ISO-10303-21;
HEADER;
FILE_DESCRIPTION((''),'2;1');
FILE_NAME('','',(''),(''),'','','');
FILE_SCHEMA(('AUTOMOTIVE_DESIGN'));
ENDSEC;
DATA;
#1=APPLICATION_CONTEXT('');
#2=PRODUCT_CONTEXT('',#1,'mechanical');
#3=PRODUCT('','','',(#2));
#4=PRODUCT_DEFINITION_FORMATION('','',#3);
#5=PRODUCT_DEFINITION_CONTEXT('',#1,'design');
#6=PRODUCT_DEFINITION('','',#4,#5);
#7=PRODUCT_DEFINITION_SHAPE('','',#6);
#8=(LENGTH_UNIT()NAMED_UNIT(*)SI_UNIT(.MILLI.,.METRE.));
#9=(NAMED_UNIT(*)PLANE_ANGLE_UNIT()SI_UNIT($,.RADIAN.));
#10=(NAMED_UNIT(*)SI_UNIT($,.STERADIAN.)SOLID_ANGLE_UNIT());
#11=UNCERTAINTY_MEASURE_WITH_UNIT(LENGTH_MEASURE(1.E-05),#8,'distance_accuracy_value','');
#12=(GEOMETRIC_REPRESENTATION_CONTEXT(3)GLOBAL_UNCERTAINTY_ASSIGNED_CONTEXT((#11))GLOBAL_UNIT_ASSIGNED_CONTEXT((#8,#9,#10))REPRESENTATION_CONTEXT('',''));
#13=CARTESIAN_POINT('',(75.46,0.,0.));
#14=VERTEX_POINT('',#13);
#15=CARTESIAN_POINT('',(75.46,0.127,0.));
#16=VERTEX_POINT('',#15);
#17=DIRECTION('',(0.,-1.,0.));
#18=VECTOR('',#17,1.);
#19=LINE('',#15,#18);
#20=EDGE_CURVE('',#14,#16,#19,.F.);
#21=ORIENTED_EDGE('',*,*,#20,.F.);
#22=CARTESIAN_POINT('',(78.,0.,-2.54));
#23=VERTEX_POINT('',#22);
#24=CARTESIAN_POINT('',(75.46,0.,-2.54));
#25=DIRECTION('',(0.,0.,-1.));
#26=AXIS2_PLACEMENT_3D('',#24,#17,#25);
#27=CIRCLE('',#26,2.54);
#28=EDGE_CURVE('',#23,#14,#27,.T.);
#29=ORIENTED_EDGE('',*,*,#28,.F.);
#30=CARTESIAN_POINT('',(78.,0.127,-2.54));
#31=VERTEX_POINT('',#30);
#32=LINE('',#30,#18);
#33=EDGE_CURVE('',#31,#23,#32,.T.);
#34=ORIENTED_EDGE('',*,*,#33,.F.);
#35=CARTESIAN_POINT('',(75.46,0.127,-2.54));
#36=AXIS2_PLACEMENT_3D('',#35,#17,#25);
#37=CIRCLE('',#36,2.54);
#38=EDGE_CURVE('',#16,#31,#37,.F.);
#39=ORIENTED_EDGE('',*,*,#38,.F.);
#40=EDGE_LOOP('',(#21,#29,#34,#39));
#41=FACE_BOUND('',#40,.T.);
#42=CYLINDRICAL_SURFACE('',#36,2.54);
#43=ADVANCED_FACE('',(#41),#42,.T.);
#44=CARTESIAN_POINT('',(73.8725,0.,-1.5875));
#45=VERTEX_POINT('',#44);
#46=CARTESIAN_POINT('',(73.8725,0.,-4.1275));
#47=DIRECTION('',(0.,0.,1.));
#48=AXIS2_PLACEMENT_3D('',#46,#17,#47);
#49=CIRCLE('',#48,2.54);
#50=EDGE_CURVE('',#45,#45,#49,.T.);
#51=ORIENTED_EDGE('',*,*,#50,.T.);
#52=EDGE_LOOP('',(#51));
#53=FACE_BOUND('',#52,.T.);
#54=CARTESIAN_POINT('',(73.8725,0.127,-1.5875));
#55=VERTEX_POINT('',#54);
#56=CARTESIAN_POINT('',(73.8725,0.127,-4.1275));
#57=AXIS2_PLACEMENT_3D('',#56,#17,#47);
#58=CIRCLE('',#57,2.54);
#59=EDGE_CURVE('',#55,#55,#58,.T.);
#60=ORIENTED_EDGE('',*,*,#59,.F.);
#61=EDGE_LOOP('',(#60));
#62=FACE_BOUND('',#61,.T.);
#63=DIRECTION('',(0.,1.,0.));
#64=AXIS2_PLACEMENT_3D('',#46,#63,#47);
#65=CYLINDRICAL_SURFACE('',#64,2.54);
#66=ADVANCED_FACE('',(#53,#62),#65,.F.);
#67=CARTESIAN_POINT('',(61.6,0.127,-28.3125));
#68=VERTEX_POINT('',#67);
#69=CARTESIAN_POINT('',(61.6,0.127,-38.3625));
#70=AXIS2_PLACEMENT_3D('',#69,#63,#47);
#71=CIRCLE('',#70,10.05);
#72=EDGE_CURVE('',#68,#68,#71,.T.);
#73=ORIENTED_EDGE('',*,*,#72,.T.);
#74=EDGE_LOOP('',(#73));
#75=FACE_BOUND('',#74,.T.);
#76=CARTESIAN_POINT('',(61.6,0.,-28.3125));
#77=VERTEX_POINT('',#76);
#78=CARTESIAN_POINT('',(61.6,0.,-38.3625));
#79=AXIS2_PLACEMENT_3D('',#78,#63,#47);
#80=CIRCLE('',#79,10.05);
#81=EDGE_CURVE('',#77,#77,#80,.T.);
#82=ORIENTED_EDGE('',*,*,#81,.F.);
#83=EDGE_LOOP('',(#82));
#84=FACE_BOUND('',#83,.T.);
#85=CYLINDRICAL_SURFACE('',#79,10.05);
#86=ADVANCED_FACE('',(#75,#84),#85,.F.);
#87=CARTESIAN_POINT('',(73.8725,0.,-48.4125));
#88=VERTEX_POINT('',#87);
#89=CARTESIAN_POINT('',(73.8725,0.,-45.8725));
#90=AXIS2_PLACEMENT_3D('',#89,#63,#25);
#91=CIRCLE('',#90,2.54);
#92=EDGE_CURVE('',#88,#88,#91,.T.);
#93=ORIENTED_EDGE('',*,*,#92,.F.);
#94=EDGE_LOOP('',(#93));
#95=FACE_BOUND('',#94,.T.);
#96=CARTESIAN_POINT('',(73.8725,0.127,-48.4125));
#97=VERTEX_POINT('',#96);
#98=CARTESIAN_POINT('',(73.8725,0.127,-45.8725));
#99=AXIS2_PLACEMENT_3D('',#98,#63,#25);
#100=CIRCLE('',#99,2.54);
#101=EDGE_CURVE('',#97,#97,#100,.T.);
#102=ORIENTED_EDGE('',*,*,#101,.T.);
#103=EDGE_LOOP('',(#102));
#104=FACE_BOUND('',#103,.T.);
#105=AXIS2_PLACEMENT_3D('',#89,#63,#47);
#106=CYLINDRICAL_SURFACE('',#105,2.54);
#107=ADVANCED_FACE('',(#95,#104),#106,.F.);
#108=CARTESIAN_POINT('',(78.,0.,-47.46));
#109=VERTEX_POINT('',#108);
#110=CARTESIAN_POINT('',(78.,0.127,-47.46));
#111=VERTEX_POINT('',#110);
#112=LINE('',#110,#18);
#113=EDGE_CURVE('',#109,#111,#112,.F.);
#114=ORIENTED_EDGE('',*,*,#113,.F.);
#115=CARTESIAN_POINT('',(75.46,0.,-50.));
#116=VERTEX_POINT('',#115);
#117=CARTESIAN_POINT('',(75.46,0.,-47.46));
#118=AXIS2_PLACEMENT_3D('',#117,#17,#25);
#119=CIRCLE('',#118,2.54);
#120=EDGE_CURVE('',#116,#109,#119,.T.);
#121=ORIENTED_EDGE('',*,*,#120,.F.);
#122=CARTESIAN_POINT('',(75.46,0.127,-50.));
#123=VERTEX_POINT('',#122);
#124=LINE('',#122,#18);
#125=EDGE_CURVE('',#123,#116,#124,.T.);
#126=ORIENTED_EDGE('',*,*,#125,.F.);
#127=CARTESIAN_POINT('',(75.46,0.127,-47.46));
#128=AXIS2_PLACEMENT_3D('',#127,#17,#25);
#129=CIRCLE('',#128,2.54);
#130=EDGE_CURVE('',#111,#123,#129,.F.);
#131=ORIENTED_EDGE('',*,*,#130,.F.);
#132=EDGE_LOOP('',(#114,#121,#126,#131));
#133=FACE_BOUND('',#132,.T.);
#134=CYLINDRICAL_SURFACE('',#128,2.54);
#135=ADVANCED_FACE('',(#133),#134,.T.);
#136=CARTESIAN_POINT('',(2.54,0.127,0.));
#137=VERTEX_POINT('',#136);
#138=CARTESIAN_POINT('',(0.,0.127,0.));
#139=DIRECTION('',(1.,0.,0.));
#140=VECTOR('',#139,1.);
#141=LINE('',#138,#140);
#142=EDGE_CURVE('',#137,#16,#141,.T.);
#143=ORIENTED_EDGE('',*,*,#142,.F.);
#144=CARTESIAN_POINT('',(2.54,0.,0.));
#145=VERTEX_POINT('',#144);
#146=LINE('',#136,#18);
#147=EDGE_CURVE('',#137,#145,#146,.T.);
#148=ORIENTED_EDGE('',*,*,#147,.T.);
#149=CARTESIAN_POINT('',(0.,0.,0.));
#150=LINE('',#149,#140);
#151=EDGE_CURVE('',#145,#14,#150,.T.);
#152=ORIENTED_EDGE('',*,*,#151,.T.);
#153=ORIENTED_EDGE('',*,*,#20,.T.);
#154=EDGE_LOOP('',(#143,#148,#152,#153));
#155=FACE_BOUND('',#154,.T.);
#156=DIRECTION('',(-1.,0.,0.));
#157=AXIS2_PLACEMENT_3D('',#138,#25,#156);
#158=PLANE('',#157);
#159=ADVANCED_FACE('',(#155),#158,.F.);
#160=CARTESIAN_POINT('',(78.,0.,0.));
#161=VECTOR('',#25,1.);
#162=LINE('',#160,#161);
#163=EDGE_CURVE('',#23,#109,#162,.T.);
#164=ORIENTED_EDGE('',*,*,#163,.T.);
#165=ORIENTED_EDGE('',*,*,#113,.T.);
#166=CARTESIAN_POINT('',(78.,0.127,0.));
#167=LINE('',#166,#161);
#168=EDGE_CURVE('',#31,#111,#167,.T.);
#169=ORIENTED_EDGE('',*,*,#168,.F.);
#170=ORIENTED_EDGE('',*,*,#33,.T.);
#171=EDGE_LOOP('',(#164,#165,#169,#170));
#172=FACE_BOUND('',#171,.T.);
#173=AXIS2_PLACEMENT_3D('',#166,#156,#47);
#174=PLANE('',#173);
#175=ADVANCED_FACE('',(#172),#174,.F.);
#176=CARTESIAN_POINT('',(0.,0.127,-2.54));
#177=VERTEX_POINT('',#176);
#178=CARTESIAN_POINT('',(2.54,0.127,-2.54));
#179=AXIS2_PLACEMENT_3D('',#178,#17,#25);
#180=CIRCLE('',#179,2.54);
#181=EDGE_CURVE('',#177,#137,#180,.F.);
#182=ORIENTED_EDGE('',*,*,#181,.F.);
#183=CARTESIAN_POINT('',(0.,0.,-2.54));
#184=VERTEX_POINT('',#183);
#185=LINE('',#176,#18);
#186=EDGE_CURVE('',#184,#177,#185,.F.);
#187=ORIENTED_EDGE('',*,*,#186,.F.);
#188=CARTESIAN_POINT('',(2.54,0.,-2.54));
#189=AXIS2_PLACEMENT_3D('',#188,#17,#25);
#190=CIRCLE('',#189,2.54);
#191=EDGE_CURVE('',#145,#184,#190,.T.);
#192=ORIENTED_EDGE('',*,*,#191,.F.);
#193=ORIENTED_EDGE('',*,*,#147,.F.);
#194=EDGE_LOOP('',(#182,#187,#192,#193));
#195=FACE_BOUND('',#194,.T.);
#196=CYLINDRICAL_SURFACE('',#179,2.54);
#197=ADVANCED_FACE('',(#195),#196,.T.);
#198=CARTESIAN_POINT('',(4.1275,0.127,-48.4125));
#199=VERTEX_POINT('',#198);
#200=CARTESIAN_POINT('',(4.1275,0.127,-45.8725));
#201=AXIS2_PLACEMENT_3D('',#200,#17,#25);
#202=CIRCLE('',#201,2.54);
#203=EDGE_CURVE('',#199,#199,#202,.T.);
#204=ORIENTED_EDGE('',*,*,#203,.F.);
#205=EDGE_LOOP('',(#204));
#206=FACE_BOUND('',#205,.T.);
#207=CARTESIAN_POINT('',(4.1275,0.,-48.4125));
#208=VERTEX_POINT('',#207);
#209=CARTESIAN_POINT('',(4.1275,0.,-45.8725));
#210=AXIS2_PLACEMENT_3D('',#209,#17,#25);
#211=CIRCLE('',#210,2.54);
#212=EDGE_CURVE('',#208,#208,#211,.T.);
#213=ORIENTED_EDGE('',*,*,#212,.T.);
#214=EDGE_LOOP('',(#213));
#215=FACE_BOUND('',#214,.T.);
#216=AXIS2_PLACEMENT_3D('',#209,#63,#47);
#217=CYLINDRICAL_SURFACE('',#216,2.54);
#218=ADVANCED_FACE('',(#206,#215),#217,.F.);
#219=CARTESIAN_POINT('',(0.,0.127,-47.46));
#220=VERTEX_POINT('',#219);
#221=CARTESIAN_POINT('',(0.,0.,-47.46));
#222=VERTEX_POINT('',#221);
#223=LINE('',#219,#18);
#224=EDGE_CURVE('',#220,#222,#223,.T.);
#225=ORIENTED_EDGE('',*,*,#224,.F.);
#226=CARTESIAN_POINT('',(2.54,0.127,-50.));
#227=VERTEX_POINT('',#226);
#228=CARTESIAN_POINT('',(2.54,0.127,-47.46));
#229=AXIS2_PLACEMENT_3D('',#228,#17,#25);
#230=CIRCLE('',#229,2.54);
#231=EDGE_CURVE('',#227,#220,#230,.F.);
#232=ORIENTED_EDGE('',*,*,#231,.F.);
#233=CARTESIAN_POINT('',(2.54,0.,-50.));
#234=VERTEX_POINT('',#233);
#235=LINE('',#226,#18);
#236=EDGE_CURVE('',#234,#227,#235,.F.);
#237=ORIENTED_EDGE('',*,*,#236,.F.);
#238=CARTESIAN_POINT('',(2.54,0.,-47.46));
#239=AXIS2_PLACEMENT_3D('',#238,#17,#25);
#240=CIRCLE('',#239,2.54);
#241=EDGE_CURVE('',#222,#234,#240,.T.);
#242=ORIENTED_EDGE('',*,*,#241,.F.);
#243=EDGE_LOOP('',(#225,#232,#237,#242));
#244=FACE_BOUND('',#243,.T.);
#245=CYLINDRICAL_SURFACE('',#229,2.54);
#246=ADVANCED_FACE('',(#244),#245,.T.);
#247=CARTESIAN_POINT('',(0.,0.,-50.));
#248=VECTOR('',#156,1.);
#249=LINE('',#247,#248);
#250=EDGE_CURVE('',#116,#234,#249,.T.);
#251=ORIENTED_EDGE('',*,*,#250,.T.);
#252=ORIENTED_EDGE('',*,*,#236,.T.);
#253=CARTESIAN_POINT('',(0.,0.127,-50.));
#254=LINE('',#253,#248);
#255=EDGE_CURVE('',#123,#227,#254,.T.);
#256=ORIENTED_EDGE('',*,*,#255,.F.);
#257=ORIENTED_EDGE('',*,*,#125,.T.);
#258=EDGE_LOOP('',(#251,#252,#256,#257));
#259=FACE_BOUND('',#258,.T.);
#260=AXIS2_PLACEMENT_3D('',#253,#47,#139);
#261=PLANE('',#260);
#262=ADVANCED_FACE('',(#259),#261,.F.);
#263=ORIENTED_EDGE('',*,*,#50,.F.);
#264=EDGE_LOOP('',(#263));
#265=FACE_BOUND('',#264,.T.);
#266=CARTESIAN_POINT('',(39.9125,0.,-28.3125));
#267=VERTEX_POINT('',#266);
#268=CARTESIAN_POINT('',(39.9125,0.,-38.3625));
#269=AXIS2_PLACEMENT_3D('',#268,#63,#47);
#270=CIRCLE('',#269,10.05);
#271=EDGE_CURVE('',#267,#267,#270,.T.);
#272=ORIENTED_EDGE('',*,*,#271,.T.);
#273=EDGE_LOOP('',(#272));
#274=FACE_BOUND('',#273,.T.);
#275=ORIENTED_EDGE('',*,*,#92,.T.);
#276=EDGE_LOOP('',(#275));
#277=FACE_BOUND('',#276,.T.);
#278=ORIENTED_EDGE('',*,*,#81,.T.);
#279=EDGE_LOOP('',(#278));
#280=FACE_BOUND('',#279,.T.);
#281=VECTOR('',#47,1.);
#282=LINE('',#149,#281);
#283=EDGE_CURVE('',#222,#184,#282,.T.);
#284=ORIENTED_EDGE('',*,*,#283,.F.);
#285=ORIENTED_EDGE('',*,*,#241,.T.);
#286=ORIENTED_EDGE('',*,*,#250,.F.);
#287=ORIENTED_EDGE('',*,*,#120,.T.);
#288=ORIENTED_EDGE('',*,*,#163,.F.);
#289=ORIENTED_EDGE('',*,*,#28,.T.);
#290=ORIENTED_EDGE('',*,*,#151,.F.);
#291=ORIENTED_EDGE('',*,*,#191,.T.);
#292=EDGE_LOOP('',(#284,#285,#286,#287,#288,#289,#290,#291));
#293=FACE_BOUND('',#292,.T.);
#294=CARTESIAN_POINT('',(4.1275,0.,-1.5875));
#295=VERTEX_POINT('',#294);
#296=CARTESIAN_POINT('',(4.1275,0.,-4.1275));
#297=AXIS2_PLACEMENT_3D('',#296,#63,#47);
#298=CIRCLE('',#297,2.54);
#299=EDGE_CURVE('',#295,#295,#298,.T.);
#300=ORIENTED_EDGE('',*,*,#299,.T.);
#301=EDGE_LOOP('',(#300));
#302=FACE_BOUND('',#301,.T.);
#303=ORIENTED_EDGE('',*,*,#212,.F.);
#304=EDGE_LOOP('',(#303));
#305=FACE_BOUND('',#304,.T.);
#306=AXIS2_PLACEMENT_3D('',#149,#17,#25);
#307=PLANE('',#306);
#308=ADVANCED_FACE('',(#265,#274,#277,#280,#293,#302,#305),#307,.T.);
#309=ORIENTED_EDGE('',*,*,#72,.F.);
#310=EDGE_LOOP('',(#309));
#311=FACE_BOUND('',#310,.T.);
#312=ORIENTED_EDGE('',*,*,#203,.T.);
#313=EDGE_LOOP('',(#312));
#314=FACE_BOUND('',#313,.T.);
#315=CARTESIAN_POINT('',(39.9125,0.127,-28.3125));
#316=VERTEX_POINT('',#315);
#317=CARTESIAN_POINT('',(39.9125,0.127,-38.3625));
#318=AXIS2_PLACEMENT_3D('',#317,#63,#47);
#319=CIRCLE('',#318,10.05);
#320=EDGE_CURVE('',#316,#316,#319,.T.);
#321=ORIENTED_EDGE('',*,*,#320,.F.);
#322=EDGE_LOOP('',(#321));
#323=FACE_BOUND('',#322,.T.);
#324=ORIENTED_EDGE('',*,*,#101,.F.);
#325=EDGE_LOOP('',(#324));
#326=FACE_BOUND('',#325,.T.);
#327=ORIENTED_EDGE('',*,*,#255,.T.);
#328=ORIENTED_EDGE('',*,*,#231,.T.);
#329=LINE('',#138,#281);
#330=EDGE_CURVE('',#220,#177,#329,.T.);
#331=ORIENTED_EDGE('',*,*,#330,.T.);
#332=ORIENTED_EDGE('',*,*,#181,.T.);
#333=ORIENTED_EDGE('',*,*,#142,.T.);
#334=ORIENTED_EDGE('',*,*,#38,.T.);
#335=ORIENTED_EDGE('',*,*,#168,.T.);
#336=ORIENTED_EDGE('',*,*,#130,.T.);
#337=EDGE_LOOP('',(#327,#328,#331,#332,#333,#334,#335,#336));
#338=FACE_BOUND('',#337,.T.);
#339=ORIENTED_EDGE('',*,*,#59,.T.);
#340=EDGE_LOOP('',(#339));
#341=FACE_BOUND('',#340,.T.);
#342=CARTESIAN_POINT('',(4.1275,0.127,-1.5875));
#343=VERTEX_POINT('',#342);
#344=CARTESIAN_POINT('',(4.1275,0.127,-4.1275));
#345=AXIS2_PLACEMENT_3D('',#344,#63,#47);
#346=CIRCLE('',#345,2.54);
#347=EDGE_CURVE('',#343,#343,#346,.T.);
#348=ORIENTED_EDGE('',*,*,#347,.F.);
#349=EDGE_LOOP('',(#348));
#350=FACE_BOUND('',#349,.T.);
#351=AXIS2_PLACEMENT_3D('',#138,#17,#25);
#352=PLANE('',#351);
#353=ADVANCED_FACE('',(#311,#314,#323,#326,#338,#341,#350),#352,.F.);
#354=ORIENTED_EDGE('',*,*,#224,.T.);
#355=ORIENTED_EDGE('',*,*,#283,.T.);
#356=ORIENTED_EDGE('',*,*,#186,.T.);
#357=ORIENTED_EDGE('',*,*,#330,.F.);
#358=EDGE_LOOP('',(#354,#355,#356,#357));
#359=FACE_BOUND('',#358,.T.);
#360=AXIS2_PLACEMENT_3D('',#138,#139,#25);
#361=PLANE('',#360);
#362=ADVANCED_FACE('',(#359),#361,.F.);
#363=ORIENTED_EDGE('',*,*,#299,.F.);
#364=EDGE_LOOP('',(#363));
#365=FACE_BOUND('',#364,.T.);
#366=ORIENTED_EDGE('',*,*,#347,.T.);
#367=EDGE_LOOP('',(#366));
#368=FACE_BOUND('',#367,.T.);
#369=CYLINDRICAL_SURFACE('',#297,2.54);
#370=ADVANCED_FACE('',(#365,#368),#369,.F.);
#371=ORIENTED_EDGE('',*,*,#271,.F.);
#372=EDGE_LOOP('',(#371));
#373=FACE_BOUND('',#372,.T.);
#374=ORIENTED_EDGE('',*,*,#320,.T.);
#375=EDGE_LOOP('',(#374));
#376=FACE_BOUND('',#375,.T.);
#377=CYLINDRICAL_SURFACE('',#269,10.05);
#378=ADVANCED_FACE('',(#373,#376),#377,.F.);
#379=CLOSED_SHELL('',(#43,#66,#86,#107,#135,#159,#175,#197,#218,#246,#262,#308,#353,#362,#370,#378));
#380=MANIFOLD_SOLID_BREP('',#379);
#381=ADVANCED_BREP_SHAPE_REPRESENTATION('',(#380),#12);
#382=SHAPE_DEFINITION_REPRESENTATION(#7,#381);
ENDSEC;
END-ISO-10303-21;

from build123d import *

# Parameters (mm, degrees)
SKETCH1_W               = 78
SKETCH1_H               = 50
KAPTON_INSULATION_DEPTH = 0.127
EDGE_RADIUS_R           = 2.54
SKETCH3_R               = 2.54
MAGNET_HOLE_DEPTH       = 93.649965618
MIRROR2_COPY_1_SKETCH_R = 2.54
MIRROR2_COPY_1_DEPTH    = 93.649965618
SKETCH4_R               = 10.05
CUT_EXTRUDE2_DEPTH      = 93.649965618


with BuildPart() as part:
    # Sketch1 → kapton_insulation (new body)
    with BuildSketch(Plane(origin=(0, 0, 0), x_dir=(1, 0, 0), z_dir=(0, 1, 0))):
        with Locations((39, 25)):
            Rectangle(SKETCH1_W, SKETCH1_H)
    extrude(amount=KAPTON_INSULATION_DEPTH)

    # edge_radius
    edge_radius_edges = [part.edges().sort_by_distance(p)[0] for p in [
        (0, 0.0635, -50),
        (78, 0.0635, -50),
        (78, 0.0635, 0),
        (0, 0.0635, 0),
    ]]
    fillet(edge_radius_edges, radius=EDGE_RADIUS_R)

    # Sketch3 → magnet_hole (cut, through all)
    with BuildSketch(Plane(origin=(0, 0.127, 0), x_dir=(1, 0, 0), z_dir=(0, 1, 0))):
        with Locations(Location((4.1275, 4.1275, 0), (0, 0, 270))):
            Circle(SKETCH3_R)
    magnet_hole = extrude(amount=-MAGNET_HOLE_DEPTH, mode=Mode.SUBTRACT)

    # Mirror1: magnet_hole across plane
    add(magnet_hole.mirror(Plane.XY.offset(-25)), mode=Mode.SUBTRACT)

    # Mirror2: magnet_hole across plane
    add(magnet_hole.mirror(Plane(origin=(39, 0, 0), x_dir=(0, 0, 1), z_dir=(1, 0, 0))), mode=Mode.SUBTRACT)

    # Mirror2 copy 1 sketch → Mirror2 copy 1 (cut, through all)
    with BuildSketch(Plane(origin=(78, 0.127, -50), x_dir=(-1, 0, 0), z_dir=(0, 1, 0))):
        with Locations(Location((4.1275, 4.1275, 0), (0, 0, 270))):
            Circle(MIRROR2_COPY_1_SKETCH_R)
    extrude(amount=-MIRROR2_COPY_1_DEPTH, mode=Mode.SUBTRACT)

    # Sketch4 → Cut-Extrude2 (cut, through all)
    with BuildSketch(Plane(origin=(0, 0.127, 0), x_dir=(1, 0, 0), z_dir=(0, 1, 0))):
        with Locations(Location((61.6, 38.3625, 0), (0, 0, 270))):
            Circle(SKETCH4_R)
        with Locations(Location((39.9125, 38.3625, 0), (0, 0, 270))):
            Circle(SKETCH4_R)
    extrude(amount=-CUT_EXTRUDE2_DEPTH, mode=Mode.SUBTRACT)


solid = part.part
